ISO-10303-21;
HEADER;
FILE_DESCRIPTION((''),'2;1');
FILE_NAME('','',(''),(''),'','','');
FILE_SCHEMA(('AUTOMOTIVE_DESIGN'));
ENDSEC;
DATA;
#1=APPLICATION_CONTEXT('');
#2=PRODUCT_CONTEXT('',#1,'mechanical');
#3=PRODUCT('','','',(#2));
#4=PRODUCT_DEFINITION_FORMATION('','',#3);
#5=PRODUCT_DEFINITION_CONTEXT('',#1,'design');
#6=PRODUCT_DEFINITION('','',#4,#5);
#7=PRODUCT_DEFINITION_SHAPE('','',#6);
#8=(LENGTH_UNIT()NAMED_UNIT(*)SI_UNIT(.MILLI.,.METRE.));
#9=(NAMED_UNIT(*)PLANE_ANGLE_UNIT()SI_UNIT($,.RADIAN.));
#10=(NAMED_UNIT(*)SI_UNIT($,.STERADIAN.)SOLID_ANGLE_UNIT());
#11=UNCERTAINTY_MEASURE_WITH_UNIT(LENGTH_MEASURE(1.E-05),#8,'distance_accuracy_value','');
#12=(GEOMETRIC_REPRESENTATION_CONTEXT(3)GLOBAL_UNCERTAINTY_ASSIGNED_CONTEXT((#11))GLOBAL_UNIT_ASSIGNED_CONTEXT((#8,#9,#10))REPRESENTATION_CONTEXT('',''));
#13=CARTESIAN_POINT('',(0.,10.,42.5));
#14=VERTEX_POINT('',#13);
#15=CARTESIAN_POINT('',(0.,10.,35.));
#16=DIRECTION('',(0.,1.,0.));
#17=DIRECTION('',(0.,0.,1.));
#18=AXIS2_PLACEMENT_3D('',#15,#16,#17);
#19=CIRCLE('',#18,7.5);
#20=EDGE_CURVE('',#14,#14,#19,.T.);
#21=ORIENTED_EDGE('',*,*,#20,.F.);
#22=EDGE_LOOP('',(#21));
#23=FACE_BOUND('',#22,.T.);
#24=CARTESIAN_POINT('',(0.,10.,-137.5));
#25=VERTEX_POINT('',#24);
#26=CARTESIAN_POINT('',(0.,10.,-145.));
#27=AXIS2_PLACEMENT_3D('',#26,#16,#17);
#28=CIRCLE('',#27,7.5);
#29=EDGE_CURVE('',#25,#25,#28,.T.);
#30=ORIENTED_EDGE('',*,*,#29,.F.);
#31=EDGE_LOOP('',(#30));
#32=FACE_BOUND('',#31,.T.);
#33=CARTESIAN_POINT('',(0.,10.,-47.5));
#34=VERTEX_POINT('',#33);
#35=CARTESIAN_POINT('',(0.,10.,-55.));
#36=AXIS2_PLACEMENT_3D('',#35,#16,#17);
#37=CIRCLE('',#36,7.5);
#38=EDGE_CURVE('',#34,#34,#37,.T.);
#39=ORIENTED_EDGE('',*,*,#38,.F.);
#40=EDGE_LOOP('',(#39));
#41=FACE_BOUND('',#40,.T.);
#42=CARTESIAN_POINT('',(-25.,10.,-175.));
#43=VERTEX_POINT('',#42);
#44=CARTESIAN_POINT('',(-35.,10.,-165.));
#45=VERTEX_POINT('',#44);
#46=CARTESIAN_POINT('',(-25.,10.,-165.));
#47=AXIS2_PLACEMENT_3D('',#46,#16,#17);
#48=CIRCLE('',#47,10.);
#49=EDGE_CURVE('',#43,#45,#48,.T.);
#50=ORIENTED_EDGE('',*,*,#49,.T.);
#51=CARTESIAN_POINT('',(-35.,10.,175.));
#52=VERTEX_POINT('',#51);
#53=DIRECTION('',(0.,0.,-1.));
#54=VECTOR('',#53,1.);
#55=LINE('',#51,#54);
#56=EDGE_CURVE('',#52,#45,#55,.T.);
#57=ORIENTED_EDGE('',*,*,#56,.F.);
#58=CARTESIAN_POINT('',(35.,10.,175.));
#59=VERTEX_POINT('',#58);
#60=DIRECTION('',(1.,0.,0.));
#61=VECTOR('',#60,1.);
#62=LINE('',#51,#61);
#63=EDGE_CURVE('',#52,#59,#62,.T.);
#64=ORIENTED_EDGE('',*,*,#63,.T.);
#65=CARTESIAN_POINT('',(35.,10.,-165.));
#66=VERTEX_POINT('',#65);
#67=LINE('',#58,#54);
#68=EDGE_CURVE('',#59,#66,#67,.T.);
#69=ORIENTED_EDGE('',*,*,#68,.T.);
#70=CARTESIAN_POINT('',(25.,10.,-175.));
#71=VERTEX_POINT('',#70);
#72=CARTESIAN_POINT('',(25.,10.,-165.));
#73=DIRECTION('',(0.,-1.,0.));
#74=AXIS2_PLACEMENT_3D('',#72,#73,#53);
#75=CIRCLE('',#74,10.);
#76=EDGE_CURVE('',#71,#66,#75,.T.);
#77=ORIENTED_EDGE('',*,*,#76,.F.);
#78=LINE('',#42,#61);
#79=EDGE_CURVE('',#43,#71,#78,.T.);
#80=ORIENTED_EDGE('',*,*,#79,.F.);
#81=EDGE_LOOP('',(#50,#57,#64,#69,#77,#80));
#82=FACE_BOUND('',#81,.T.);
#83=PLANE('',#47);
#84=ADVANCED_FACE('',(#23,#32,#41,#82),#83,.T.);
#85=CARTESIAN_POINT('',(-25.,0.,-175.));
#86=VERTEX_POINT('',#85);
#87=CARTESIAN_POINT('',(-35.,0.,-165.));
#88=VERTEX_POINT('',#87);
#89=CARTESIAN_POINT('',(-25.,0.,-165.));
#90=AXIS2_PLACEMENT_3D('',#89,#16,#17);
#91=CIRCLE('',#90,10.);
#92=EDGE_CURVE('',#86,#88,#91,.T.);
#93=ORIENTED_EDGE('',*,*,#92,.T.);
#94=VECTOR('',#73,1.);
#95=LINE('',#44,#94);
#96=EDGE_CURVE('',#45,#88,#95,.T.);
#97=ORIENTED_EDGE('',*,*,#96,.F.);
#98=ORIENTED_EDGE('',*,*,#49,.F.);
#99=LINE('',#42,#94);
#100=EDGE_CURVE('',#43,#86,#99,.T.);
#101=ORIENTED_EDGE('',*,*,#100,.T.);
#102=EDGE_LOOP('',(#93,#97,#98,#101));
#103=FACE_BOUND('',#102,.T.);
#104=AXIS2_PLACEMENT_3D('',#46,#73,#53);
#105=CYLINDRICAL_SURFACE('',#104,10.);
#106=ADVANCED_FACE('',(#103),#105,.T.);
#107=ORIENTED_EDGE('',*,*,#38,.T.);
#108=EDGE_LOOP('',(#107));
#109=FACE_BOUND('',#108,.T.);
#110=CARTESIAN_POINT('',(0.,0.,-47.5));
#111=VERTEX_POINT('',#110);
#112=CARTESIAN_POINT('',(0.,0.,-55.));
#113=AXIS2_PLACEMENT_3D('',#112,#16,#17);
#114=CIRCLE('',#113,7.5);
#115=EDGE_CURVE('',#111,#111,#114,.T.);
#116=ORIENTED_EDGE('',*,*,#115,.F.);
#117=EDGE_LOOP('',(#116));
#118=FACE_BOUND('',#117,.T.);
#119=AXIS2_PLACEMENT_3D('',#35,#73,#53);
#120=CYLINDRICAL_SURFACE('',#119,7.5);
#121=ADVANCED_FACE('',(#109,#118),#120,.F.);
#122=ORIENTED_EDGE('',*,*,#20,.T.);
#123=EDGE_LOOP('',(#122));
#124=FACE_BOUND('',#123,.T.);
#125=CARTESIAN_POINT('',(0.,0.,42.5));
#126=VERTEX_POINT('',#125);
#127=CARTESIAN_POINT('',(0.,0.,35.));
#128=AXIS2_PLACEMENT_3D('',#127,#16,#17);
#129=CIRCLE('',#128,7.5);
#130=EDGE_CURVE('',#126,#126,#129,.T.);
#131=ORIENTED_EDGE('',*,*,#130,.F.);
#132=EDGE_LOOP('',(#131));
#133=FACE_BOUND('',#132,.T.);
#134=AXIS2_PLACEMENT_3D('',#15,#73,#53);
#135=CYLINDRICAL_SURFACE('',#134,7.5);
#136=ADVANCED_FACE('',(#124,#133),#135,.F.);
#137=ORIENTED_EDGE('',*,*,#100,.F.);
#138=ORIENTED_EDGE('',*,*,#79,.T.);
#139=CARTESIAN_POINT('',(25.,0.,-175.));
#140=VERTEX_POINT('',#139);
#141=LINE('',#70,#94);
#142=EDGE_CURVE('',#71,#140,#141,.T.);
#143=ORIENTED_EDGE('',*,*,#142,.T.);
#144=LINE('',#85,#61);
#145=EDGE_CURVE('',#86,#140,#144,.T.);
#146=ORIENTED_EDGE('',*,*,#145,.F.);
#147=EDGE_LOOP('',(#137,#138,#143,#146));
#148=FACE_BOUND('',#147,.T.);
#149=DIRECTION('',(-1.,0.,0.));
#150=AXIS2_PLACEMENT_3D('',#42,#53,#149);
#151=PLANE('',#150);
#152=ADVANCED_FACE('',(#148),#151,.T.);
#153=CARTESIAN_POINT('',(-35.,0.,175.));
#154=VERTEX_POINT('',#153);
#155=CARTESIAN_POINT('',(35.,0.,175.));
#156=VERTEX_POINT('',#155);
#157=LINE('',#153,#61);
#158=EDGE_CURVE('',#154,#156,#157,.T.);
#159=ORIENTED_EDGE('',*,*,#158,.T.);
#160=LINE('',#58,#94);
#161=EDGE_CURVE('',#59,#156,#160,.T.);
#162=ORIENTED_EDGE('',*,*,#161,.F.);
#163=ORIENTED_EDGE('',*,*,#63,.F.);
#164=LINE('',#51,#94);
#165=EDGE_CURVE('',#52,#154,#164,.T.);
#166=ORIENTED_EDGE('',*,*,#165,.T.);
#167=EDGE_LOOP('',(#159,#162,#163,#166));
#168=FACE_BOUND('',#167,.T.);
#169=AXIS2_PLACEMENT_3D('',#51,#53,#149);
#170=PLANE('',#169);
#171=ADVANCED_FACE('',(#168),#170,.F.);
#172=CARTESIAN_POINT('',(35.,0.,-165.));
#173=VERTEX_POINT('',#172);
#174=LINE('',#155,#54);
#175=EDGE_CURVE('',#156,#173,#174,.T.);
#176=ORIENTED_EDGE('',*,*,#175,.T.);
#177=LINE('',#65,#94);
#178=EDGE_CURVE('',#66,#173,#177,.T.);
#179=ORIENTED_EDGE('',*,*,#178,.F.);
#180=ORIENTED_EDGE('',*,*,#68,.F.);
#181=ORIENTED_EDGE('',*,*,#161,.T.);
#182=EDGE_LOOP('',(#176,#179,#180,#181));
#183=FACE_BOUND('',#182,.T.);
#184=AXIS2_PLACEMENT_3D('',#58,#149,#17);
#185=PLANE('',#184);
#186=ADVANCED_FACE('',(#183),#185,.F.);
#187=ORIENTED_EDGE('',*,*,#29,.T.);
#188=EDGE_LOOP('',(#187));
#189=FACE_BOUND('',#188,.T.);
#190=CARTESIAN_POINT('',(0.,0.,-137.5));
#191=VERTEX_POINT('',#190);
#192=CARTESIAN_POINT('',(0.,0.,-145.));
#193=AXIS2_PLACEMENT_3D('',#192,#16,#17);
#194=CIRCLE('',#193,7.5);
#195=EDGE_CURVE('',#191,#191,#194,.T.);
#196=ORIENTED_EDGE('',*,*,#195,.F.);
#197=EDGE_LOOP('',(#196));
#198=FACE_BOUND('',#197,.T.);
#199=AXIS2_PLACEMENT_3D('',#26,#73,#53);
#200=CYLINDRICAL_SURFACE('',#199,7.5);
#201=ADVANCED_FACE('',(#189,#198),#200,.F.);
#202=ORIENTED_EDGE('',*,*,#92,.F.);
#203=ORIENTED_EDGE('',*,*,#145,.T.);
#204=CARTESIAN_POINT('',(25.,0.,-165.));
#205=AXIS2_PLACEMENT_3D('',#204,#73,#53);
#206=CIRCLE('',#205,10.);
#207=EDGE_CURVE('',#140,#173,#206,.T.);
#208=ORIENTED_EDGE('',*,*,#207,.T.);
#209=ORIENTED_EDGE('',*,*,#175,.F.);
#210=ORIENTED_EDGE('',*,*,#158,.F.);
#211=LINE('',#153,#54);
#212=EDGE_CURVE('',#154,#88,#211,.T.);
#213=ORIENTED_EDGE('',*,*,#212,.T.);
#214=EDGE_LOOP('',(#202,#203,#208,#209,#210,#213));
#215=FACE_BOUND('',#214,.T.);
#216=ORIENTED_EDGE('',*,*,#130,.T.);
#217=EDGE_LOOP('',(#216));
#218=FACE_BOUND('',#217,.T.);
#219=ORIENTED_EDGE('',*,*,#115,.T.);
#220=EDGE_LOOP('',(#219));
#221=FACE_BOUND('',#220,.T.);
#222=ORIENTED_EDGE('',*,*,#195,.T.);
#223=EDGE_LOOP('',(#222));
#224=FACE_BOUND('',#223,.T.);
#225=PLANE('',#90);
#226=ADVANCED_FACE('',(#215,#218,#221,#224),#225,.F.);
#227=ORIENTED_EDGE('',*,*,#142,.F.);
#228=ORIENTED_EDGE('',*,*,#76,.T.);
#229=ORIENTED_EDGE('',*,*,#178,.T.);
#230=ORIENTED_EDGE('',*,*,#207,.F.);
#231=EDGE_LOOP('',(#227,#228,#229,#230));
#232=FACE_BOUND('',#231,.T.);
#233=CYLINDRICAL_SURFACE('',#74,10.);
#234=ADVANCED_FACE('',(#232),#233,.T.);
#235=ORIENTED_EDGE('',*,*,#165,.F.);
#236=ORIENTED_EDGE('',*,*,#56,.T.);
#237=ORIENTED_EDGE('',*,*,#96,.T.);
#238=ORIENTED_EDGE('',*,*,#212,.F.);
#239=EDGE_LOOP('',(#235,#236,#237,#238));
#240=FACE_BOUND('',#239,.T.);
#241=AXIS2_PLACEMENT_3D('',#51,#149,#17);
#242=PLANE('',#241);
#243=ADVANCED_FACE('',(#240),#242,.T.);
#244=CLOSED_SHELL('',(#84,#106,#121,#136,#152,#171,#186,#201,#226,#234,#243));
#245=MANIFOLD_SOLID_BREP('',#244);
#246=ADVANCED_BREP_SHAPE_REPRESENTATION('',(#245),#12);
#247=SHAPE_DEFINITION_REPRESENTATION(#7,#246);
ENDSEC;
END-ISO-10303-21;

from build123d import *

# Parameters (mm, degrees)
CROQUIS3_R              = 7.5
SALIENTE_EXTRUIR4_DEPTH = 10


with BuildPart() as part:
    # Croquis3 → Saliente-Extruir4 (new body)
    with BuildSketch(Plane(origin=(0, 0, 0), x_dir=(1, 0, 0), z_dir=(0, 1, 0))):
        with BuildLine():
            Line((-35, -175), (35, -175))
            Line((35, -175), (35, 165))
            ThreePointArc((35, 165), (32.071067812, 172.071067812), (25, 175))
            Line((25, 175), (-25, 175))
            ThreePointArc((-25, 175), (-32.071067812, 172.071067812), (-35, 165))
            Line((-35, 165), (-35, -175))
        make_face()
        with Locations((0, 145)):
            Circle(CROQUIS3_R, mode=Mode.SUBTRACT)
        with Locations((0, 55)):
            Circle(CROQUIS3_R, mode=Mode.SUBTRACT)
        with Locations((0, -35)):
            Circle(CROQUIS3_R, mode=Mode.SUBTRACT)
    extrude(amount=SALIENTE_EXTRUIR4_DEPTH)


solid = part.part
